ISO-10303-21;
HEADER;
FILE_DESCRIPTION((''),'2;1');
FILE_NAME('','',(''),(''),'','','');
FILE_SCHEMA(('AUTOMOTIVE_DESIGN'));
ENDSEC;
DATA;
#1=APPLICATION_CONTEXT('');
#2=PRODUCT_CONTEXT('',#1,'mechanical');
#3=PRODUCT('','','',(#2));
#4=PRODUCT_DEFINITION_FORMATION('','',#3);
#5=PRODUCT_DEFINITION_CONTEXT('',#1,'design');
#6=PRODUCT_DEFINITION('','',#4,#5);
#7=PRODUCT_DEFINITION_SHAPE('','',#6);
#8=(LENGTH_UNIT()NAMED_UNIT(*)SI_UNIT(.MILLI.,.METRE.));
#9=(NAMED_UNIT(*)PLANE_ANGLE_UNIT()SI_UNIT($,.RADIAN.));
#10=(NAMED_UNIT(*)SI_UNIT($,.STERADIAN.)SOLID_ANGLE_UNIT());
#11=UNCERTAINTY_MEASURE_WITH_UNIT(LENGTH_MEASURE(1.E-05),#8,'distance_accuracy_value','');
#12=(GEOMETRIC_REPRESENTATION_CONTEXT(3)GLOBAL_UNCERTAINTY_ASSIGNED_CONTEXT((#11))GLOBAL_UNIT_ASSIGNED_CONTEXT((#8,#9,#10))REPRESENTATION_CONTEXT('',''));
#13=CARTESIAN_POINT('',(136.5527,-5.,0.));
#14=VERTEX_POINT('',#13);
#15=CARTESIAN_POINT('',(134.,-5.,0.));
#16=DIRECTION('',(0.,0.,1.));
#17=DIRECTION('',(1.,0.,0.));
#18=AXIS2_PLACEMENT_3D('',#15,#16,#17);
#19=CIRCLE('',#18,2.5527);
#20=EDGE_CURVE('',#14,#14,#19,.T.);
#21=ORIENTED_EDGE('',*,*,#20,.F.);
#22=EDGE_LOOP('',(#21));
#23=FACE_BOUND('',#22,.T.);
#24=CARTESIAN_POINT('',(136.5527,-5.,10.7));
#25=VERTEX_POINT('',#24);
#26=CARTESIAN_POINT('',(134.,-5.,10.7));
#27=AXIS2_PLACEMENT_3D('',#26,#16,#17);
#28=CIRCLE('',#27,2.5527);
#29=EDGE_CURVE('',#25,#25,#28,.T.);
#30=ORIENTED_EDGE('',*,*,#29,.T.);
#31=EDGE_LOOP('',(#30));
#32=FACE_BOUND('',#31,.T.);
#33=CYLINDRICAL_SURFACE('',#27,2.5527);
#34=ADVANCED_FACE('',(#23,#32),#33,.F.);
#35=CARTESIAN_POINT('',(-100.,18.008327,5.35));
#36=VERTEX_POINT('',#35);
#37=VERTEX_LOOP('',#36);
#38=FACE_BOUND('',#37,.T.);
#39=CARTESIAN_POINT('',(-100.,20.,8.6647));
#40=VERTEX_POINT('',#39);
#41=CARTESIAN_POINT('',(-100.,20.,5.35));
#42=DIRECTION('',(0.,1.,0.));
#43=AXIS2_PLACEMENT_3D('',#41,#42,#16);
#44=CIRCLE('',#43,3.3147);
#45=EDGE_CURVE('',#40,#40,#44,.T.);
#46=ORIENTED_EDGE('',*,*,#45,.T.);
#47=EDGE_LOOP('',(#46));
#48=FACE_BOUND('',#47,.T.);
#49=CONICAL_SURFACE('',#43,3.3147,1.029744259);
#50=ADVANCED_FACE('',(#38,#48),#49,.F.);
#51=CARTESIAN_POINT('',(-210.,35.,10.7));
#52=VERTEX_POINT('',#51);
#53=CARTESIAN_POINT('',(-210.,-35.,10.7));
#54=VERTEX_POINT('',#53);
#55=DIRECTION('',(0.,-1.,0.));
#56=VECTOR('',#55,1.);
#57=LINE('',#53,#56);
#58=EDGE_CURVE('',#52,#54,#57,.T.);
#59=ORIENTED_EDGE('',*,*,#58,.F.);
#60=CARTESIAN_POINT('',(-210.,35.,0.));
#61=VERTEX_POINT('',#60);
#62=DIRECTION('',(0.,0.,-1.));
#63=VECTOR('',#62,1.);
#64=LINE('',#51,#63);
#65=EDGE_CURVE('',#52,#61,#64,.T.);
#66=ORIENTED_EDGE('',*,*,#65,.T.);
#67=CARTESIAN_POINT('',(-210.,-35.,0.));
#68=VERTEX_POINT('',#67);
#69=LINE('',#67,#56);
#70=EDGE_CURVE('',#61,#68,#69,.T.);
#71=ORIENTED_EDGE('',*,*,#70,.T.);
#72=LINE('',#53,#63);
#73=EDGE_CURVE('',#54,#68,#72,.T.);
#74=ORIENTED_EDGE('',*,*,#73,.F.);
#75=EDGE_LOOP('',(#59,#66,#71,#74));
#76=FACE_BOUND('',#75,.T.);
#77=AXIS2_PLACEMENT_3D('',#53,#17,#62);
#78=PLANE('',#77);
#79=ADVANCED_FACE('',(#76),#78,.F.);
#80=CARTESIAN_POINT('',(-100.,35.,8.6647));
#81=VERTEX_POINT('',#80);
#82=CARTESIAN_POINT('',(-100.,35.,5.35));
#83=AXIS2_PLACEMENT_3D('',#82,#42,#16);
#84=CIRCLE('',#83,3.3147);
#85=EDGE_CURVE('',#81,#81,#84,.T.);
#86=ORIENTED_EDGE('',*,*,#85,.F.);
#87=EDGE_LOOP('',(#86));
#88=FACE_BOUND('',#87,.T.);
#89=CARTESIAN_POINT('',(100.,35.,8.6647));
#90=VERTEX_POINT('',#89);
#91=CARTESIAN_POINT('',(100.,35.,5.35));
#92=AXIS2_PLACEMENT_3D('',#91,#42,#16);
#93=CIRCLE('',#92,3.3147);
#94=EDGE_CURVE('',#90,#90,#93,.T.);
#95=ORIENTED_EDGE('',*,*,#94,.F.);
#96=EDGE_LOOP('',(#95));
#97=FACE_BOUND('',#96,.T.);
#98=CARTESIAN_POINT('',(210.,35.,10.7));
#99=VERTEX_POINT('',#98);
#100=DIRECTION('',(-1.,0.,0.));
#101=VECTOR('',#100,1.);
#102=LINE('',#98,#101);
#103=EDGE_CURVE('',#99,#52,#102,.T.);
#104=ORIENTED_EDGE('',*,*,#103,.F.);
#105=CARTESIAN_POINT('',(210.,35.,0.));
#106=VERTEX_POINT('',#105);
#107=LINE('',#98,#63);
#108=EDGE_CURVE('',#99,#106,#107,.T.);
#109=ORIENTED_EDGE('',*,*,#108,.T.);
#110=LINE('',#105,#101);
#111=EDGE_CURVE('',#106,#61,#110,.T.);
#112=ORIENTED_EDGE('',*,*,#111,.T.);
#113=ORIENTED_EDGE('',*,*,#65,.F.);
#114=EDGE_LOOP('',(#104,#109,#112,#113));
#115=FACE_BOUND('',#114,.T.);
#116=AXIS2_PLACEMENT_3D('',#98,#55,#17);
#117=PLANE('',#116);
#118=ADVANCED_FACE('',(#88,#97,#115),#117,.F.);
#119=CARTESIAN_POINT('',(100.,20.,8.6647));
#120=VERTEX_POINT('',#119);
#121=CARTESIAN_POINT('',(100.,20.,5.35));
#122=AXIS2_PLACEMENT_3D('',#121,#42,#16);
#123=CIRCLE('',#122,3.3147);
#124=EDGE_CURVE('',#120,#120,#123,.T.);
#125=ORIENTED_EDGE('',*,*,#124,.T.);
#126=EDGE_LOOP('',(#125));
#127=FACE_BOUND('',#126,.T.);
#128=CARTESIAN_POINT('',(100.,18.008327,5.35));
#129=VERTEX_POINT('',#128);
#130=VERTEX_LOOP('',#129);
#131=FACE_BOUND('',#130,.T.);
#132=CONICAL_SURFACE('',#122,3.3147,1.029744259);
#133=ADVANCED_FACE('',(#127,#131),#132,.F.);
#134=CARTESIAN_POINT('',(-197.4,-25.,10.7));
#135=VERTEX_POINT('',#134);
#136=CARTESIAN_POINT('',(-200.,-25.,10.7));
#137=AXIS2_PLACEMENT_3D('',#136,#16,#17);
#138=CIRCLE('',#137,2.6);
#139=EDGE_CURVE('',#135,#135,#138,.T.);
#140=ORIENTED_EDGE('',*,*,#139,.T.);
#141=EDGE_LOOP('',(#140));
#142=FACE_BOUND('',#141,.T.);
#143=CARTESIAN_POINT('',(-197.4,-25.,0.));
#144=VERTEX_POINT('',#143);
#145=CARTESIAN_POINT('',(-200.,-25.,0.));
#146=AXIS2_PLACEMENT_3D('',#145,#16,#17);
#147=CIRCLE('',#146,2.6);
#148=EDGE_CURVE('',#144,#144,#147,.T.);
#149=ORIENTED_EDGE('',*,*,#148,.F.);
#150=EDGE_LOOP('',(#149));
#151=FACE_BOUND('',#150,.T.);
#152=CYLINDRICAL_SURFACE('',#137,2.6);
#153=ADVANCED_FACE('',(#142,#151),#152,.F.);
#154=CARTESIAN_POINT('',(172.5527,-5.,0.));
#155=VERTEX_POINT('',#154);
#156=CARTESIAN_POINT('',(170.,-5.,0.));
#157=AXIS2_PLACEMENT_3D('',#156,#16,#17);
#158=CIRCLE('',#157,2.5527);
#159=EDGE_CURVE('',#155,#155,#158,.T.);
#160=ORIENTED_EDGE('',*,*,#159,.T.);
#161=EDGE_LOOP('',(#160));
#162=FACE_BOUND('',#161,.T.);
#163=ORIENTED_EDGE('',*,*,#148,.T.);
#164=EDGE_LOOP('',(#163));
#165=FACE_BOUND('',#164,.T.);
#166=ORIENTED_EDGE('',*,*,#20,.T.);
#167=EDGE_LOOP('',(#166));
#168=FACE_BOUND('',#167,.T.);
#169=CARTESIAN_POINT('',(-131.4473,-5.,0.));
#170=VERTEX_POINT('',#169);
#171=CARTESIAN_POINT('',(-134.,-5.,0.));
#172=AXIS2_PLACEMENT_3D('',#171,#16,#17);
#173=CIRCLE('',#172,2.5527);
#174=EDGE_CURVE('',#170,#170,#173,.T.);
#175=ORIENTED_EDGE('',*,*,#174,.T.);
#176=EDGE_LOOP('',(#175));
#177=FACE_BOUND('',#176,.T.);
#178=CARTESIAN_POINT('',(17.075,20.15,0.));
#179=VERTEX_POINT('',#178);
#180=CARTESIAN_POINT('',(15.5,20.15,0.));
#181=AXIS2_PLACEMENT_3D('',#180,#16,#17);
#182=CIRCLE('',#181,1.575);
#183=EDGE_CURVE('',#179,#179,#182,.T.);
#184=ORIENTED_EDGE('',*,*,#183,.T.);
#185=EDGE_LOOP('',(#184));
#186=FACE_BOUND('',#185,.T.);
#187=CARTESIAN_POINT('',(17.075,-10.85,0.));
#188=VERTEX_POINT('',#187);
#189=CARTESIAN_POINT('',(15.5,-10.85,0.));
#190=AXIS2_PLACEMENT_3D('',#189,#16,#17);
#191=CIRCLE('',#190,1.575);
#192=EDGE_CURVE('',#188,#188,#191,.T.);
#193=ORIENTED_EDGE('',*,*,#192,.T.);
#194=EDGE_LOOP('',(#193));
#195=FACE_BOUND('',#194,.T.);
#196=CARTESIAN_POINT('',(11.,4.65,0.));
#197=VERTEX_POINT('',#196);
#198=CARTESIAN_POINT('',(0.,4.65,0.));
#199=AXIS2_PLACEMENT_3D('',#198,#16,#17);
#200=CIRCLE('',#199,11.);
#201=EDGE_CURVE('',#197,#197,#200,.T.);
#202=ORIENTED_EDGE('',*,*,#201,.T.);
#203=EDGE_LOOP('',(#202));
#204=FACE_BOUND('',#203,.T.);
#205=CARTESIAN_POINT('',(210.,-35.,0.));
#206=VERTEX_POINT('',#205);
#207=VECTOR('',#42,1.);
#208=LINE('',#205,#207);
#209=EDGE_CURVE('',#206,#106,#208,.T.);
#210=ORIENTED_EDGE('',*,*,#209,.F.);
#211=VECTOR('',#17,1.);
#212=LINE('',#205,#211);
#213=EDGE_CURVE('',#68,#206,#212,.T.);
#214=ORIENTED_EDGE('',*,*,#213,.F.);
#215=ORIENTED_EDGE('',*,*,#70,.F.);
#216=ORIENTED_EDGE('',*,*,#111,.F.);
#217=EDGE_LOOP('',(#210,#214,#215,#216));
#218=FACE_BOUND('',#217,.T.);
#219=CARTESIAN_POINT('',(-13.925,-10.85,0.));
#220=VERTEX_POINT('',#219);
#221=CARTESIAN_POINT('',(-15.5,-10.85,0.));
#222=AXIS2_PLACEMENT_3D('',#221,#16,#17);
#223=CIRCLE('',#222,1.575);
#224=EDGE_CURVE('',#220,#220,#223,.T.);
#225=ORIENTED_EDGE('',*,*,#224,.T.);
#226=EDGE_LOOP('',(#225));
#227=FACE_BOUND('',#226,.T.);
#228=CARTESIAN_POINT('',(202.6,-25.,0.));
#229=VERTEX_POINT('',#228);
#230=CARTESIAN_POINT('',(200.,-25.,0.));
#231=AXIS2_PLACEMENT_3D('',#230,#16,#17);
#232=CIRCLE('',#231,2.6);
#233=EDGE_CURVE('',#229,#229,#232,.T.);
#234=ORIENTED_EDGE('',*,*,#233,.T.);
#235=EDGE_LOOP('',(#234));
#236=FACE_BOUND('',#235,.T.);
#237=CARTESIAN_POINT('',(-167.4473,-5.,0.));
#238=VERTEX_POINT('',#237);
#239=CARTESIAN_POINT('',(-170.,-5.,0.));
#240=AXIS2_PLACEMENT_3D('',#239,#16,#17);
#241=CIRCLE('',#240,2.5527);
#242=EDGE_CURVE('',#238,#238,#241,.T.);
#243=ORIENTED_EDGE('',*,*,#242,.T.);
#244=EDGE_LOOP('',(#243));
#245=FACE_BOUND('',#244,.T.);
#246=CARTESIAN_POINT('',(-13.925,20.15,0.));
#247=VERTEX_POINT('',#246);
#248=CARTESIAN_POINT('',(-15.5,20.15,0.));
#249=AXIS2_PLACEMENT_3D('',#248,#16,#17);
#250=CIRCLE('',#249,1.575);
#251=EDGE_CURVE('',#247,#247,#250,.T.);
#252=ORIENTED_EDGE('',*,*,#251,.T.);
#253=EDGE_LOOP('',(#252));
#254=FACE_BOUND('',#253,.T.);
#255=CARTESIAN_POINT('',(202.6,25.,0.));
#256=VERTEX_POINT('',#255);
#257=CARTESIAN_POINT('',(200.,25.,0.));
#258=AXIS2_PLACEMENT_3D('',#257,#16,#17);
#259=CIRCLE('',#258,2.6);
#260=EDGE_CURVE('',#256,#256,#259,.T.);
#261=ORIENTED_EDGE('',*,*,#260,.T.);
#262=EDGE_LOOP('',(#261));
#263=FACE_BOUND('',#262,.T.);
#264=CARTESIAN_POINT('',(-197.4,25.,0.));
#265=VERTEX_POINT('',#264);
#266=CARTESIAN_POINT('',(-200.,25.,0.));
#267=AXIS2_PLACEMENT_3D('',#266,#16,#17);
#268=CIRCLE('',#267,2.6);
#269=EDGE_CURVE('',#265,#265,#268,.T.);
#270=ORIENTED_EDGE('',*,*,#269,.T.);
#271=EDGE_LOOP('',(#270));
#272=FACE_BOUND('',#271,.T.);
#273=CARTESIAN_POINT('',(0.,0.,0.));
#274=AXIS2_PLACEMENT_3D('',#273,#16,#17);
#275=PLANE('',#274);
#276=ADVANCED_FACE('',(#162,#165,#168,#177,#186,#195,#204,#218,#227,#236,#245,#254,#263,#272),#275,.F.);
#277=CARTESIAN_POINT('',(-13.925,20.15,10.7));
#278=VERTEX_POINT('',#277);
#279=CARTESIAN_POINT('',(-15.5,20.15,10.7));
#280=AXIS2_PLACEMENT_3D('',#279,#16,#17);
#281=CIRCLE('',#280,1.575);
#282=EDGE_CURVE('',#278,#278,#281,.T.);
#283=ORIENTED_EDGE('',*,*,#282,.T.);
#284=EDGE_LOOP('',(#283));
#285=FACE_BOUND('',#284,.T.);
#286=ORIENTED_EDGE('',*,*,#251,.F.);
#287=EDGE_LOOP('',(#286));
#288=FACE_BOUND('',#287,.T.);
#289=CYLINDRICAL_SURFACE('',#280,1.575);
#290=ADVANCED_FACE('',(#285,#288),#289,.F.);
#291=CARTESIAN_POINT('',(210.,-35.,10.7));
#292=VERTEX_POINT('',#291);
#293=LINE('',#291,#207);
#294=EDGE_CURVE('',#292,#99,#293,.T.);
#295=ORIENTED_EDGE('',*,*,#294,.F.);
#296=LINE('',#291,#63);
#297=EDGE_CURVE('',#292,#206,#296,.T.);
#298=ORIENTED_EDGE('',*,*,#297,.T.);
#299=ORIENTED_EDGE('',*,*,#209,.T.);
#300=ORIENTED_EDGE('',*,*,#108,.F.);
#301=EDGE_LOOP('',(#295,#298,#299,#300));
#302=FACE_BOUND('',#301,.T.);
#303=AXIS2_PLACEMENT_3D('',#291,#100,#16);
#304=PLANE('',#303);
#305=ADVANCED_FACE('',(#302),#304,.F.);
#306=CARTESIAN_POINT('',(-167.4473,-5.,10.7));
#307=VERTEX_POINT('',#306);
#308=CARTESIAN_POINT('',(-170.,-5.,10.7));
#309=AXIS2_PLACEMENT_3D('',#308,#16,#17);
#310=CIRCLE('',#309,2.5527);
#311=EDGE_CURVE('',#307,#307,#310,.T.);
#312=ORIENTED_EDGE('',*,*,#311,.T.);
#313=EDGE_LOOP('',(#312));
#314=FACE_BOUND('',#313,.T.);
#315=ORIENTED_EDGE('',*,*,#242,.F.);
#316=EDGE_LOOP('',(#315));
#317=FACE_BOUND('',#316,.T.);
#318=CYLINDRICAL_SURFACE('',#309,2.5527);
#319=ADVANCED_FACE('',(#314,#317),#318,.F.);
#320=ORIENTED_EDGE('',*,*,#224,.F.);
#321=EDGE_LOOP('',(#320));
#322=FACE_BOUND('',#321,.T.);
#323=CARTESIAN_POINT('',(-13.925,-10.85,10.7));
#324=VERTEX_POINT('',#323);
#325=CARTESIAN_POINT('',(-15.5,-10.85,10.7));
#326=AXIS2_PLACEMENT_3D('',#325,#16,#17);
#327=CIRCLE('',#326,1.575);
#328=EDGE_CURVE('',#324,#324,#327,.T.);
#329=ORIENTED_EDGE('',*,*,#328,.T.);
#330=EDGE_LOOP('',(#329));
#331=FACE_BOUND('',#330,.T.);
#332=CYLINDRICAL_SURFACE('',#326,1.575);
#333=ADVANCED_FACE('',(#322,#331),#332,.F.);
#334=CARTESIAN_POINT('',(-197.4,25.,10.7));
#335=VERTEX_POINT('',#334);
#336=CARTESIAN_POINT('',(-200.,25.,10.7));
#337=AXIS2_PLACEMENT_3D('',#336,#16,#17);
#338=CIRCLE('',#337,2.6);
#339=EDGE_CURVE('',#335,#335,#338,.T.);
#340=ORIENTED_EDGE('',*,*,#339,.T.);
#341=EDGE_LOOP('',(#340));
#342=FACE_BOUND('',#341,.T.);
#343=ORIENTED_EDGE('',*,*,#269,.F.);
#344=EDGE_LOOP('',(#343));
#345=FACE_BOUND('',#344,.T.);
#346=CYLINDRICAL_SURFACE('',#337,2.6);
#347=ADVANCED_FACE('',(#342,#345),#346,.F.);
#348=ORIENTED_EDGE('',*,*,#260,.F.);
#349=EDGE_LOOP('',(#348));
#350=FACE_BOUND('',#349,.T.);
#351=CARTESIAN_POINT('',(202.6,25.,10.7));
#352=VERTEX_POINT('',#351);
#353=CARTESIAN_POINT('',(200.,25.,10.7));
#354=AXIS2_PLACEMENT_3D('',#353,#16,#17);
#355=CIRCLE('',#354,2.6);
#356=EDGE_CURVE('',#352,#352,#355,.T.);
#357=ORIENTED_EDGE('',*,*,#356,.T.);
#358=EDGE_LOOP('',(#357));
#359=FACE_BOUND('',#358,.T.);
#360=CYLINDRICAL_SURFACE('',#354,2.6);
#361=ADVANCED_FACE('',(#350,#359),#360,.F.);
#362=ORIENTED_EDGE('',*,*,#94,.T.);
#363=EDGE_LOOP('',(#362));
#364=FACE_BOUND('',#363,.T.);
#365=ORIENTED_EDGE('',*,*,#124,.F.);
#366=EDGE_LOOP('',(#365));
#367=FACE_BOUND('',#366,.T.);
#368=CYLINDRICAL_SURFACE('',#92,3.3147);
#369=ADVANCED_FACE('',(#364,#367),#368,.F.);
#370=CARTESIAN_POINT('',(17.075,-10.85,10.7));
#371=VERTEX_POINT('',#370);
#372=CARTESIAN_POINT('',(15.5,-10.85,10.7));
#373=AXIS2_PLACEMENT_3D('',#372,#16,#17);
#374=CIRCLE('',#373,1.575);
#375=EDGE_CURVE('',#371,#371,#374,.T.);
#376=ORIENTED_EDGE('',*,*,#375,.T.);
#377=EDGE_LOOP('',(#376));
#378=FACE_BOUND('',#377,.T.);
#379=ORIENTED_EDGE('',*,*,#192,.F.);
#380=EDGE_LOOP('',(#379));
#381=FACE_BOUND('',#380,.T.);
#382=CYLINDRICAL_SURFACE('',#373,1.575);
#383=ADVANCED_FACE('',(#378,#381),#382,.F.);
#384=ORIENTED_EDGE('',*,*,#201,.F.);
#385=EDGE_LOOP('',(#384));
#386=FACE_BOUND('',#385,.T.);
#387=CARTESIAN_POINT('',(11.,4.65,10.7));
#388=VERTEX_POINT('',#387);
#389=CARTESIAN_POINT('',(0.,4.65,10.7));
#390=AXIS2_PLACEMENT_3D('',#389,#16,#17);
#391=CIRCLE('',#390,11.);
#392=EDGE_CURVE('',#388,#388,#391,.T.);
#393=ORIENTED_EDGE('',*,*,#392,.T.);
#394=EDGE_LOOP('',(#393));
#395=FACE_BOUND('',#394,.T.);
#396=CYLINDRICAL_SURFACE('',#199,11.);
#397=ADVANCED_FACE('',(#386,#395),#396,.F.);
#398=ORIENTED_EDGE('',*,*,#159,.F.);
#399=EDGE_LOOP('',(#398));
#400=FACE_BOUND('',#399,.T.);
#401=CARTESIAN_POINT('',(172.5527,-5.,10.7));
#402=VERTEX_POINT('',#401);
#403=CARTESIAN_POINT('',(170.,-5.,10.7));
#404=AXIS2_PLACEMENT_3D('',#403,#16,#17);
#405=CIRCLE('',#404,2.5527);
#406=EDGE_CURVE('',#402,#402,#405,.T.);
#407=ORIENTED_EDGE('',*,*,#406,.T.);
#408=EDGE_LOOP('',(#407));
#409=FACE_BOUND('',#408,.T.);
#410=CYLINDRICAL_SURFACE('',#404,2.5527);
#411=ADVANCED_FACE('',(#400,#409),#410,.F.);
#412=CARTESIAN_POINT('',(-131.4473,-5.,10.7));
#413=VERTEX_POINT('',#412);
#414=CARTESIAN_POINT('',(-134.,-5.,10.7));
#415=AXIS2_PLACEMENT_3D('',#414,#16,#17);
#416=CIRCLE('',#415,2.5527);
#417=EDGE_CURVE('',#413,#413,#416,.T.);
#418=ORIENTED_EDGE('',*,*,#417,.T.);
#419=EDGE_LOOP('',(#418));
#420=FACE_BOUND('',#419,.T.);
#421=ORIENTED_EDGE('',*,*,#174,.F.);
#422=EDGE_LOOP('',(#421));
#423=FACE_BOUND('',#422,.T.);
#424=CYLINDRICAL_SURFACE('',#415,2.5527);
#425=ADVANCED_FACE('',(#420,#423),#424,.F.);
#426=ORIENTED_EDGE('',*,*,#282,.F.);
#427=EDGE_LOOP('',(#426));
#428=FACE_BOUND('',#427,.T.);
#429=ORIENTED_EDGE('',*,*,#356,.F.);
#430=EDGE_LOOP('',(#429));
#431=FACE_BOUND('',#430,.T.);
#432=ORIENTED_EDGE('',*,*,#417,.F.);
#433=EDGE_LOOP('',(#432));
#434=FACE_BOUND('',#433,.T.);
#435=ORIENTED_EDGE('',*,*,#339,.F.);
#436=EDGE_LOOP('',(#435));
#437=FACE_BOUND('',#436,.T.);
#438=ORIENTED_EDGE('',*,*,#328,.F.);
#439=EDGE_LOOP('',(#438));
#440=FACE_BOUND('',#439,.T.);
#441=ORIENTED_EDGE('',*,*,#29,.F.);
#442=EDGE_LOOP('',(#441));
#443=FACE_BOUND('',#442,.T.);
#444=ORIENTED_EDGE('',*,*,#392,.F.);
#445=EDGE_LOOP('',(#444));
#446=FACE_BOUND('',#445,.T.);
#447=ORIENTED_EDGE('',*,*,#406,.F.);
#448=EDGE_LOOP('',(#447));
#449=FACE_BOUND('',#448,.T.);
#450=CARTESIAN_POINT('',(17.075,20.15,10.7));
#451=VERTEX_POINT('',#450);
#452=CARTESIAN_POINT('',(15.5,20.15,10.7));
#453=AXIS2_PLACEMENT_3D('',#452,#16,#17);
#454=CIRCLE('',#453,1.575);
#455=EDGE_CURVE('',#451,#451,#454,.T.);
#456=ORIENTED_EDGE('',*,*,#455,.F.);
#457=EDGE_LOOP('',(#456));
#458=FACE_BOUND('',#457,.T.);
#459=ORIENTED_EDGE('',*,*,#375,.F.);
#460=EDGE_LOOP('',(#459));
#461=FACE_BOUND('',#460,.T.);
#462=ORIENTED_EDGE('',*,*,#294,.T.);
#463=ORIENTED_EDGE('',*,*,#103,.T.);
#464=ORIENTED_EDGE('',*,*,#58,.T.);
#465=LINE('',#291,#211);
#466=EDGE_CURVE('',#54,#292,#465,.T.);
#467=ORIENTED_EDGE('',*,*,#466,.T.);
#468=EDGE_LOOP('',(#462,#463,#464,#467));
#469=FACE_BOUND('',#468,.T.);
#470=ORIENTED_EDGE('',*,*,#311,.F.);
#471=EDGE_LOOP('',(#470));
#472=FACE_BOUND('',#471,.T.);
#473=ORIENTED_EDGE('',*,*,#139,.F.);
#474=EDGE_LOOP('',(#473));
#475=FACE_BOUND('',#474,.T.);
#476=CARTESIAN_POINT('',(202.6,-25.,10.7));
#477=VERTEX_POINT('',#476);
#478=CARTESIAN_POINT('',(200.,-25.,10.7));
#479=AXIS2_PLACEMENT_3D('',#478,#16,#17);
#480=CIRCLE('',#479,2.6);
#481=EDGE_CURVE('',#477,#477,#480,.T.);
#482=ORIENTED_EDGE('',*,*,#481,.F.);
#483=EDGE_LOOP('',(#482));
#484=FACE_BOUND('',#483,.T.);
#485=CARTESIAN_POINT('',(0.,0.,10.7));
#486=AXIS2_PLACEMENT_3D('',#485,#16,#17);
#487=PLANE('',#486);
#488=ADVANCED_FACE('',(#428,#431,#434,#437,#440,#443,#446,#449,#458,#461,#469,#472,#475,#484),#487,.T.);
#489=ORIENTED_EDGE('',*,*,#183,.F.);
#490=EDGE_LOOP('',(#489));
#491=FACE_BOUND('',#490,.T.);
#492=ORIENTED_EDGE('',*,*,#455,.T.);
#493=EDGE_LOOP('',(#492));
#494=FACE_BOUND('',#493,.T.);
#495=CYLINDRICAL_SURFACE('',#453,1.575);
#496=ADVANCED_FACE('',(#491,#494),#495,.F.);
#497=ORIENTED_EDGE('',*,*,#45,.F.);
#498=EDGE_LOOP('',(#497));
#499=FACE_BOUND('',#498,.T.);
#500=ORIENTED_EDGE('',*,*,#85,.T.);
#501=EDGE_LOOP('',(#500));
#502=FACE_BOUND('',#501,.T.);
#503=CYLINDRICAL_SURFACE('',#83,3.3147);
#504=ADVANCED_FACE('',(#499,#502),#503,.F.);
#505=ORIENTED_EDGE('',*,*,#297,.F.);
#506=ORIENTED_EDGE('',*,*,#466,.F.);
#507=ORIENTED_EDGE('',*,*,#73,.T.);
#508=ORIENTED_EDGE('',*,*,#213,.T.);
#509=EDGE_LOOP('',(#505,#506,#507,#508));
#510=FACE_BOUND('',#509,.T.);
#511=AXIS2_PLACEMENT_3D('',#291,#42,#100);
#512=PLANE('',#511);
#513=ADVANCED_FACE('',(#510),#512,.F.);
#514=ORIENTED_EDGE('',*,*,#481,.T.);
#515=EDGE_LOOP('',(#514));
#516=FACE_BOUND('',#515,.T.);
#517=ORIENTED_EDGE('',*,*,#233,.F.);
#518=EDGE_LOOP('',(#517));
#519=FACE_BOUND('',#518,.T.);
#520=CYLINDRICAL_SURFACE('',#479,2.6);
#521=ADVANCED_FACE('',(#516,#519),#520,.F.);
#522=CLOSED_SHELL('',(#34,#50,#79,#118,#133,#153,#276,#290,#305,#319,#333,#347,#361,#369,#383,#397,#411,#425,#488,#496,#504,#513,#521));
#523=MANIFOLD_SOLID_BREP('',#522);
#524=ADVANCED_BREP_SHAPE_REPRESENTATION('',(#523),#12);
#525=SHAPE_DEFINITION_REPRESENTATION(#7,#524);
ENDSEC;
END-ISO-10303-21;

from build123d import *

# Parameters (mm, degrees)
ESBO_O1_W                                   = 420
ESBO_O1_H                                   = 70
RESSALTO_EXTRUS_O1_DEPTH                    = 10.7
ESBO_O4_R                                   = 11
CORTE_EXTRUS_O3_DEPTH                       = 11.7
FURO_ROSCADO_PARA_CONDU_TE_DE_10_321_D      = 5.1054
FURO_ROSCADO_PARA_CONDU_TE_DE_M5X0_81_D     = 5.2
FURO_ROSCADO_PARA_CONDU_TE_DE_M3X0_51_D     = 3.15
FURO_ROSCADO_PARA_CONDU_TE_DE_1_4_281_D     = 6.6294
FURO_ROSCADO_PARA_CONDU_TE_DE_1_4_281_DEPTH = 15
FURO_ROSCADO_PARA_CONDU_TE_DE_1_4_281_TIP   = 1.991672694


with BuildPart() as part:
    # Esboço1 → Ressalto-extrusão1 (new body)
    with BuildSketch(Plane.XY):
        Rectangle(ESBO_O1_W, ESBO_O1_H)
    extrude(amount=RESSALTO_EXTRUS_O1_DEPTH)

    # Esboço4 → Corte-extrusão3 (cut, through all)
    with BuildSketch(Plane.XY.offset(10.7)):
        with Locations((0, 4.65)):
            Circle(ESBO_O4_R)
    extrude(amount=-CORTE_EXTRUS_O3_DEPTH, mode=Mode.SUBTRACT)

    # Furo roscado para conduíte de #10-321 (through all)
    with Locations(Plane.XY.offset(10.7)):
        with Locations((-170, -5), (-134, -5), (134, -5), (170, -5)):
            Hole(FURO_ROSCADO_PARA_CONDU_TE_DE_10_321_D / 2)

    # Furo roscado para conduíte de M5x0.81 (through all)
    with Locations(Plane.XY.offset(10.7)):
        with Locations((-200, 25), (-200, -25), (200, -25), (200, 25)):
            Hole(FURO_ROSCADO_PARA_CONDU_TE_DE_M5X0_81_D / 2)

    # Furo roscado para conduíte de M3x0.51 (through all)
    with Locations(Plane.XY.offset(10.7)):
        with Locations((-15.5, 20.15), (-15.5, -10.85), (15.5, -10.85), (15.5, 20.15)):
            Hole(FURO_ROSCADO_PARA_CONDU_TE_DE_M3X0_51_D / 2)

    # Furo roscado para conduíte de 1/4-281
    with Locations(Plane(origin=(0, 35, 0), x_dir=(1, 0, 0), z_dir=(0, 1, 0))):
        with Locations((-100, -5.35), (100, -5.35)):
            Hole(FURO_ROSCADO_PARA_CONDU_TE_DE_1_4_281_D / 2, depth=FURO_ROSCADO_PARA_CONDU_TE_DE_1_4_281_DEPTH)
            with Locations((0, 0, -(FURO_ROSCADO_PARA_CONDU_TE_DE_1_4_281_DEPTH + FURO_ROSCADO_PARA_CONDU_TE_DE_1_4_281_TIP / 2))):  # 118° drill point
                Cone(0, FURO_ROSCADO_PARA_CONDU_TE_DE_1_4_281_D / 2, FURO_ROSCADO_PARA_CONDU_TE_DE_1_4_281_TIP, mode=Mode.SUBTRACT)


solid = part.part
